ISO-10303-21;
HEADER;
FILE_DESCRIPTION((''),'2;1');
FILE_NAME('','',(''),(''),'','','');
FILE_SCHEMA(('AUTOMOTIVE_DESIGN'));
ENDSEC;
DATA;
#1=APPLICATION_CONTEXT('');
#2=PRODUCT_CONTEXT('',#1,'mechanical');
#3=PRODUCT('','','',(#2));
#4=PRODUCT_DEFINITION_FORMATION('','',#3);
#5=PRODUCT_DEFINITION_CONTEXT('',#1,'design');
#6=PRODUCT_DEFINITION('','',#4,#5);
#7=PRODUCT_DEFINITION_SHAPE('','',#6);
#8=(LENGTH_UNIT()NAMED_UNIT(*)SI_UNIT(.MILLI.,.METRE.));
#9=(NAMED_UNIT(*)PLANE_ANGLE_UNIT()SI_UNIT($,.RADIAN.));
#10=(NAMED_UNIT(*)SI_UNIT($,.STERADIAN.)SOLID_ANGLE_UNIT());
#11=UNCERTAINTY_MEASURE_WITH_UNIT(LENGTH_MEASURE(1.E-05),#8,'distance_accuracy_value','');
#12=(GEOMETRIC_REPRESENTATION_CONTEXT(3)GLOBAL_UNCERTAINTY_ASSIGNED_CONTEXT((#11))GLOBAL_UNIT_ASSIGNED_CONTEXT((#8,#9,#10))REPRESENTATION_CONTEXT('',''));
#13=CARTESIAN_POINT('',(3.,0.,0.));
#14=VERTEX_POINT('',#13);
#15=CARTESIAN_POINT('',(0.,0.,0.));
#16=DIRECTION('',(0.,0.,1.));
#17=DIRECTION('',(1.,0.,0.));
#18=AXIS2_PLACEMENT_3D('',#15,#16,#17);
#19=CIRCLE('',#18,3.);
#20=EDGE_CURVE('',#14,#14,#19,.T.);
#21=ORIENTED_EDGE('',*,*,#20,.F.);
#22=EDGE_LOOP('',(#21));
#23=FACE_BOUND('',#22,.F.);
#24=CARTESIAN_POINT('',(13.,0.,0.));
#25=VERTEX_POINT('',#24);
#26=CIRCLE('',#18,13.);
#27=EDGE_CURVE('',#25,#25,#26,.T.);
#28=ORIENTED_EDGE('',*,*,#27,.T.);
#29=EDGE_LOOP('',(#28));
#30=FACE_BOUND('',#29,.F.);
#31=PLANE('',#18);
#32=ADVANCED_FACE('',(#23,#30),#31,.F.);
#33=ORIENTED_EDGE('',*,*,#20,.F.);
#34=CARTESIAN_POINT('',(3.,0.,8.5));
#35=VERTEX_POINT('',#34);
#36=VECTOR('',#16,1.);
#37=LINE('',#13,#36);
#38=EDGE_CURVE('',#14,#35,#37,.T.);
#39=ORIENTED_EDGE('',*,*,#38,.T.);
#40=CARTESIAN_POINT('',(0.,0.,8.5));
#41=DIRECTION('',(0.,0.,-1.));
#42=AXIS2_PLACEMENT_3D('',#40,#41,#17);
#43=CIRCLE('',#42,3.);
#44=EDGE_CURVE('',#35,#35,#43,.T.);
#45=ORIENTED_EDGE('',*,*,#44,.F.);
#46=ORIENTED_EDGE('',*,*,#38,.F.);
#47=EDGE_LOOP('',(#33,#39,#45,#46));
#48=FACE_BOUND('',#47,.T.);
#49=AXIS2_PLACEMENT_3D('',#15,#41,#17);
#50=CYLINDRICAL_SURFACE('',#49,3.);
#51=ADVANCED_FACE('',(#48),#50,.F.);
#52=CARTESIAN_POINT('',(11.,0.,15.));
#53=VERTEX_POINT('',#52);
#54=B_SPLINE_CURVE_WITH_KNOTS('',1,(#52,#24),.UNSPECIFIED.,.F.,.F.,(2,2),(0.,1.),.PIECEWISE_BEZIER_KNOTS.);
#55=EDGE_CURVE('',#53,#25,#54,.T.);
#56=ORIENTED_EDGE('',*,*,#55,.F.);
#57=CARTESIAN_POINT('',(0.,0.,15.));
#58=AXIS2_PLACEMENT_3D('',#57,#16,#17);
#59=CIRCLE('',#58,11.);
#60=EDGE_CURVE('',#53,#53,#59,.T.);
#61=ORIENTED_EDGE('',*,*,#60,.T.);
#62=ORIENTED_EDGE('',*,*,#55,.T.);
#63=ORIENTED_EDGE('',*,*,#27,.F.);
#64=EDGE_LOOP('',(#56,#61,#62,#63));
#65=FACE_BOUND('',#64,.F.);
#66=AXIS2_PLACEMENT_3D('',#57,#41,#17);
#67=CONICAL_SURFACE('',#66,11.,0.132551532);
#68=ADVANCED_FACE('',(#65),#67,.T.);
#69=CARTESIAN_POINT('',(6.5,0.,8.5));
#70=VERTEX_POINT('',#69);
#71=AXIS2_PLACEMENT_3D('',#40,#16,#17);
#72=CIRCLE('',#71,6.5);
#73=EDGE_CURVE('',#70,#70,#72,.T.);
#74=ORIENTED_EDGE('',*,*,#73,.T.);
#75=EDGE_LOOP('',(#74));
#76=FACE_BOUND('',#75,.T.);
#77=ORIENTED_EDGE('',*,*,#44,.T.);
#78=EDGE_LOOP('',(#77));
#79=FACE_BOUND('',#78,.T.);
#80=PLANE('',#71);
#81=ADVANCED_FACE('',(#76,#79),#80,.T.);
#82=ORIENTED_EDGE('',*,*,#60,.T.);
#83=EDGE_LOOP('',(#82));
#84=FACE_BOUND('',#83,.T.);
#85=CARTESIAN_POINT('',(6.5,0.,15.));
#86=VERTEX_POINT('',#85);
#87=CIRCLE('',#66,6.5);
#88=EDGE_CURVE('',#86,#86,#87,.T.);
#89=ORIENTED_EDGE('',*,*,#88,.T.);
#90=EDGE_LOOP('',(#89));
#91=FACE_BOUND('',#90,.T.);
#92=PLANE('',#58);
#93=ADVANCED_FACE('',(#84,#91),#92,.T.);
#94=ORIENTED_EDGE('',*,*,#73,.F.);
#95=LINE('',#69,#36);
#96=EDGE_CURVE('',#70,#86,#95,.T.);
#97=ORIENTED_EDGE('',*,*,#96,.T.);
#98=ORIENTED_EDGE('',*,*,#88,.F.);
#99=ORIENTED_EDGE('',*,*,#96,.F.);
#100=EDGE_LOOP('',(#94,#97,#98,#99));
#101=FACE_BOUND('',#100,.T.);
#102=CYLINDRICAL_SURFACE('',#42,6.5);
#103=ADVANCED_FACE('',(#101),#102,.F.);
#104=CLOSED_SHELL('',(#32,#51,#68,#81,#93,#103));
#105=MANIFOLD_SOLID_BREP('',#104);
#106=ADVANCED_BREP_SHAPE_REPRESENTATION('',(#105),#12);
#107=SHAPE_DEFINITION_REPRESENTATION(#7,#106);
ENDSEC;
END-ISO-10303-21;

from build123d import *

# Parameters (mm, degrees)
SKETCH001_R     = 11
SKETCH_R        = 13
SKETCH002_R     = 3
POCKET_DEPTH    = 15.001
SKETCH003_R     = 6.5
POCKET001_DEPTH = 6.501


with BuildPart() as part:
    # Sketch001 (on DatumPlane) → AdditiveLoft section 0
    with BuildSketch(Plane.XY.offset(15)):
        Circle(SKETCH001_R)
    # Sketch → AdditiveLoft section 1
    with BuildSketch(Plane.XY):
        Circle(SKETCH_R)
    loft()

    # Sketch002 → Pocket (cut, through all)
    with BuildSketch(Plane.XY):
        Circle(SKETCH002_R)
    extrude(amount=POCKET_DEPTH, mode=Mode.SUBTRACT)

    # Sketch003 (on DatumPlane) → Pocket001 (cut, through all)
    with BuildSketch(Plane.XY.offset(8.5)):
        Circle(SKETCH003_R)
    extrude(amount=POCKET001_DEPTH, mode=Mode.SUBTRACT)


solid = part.part
